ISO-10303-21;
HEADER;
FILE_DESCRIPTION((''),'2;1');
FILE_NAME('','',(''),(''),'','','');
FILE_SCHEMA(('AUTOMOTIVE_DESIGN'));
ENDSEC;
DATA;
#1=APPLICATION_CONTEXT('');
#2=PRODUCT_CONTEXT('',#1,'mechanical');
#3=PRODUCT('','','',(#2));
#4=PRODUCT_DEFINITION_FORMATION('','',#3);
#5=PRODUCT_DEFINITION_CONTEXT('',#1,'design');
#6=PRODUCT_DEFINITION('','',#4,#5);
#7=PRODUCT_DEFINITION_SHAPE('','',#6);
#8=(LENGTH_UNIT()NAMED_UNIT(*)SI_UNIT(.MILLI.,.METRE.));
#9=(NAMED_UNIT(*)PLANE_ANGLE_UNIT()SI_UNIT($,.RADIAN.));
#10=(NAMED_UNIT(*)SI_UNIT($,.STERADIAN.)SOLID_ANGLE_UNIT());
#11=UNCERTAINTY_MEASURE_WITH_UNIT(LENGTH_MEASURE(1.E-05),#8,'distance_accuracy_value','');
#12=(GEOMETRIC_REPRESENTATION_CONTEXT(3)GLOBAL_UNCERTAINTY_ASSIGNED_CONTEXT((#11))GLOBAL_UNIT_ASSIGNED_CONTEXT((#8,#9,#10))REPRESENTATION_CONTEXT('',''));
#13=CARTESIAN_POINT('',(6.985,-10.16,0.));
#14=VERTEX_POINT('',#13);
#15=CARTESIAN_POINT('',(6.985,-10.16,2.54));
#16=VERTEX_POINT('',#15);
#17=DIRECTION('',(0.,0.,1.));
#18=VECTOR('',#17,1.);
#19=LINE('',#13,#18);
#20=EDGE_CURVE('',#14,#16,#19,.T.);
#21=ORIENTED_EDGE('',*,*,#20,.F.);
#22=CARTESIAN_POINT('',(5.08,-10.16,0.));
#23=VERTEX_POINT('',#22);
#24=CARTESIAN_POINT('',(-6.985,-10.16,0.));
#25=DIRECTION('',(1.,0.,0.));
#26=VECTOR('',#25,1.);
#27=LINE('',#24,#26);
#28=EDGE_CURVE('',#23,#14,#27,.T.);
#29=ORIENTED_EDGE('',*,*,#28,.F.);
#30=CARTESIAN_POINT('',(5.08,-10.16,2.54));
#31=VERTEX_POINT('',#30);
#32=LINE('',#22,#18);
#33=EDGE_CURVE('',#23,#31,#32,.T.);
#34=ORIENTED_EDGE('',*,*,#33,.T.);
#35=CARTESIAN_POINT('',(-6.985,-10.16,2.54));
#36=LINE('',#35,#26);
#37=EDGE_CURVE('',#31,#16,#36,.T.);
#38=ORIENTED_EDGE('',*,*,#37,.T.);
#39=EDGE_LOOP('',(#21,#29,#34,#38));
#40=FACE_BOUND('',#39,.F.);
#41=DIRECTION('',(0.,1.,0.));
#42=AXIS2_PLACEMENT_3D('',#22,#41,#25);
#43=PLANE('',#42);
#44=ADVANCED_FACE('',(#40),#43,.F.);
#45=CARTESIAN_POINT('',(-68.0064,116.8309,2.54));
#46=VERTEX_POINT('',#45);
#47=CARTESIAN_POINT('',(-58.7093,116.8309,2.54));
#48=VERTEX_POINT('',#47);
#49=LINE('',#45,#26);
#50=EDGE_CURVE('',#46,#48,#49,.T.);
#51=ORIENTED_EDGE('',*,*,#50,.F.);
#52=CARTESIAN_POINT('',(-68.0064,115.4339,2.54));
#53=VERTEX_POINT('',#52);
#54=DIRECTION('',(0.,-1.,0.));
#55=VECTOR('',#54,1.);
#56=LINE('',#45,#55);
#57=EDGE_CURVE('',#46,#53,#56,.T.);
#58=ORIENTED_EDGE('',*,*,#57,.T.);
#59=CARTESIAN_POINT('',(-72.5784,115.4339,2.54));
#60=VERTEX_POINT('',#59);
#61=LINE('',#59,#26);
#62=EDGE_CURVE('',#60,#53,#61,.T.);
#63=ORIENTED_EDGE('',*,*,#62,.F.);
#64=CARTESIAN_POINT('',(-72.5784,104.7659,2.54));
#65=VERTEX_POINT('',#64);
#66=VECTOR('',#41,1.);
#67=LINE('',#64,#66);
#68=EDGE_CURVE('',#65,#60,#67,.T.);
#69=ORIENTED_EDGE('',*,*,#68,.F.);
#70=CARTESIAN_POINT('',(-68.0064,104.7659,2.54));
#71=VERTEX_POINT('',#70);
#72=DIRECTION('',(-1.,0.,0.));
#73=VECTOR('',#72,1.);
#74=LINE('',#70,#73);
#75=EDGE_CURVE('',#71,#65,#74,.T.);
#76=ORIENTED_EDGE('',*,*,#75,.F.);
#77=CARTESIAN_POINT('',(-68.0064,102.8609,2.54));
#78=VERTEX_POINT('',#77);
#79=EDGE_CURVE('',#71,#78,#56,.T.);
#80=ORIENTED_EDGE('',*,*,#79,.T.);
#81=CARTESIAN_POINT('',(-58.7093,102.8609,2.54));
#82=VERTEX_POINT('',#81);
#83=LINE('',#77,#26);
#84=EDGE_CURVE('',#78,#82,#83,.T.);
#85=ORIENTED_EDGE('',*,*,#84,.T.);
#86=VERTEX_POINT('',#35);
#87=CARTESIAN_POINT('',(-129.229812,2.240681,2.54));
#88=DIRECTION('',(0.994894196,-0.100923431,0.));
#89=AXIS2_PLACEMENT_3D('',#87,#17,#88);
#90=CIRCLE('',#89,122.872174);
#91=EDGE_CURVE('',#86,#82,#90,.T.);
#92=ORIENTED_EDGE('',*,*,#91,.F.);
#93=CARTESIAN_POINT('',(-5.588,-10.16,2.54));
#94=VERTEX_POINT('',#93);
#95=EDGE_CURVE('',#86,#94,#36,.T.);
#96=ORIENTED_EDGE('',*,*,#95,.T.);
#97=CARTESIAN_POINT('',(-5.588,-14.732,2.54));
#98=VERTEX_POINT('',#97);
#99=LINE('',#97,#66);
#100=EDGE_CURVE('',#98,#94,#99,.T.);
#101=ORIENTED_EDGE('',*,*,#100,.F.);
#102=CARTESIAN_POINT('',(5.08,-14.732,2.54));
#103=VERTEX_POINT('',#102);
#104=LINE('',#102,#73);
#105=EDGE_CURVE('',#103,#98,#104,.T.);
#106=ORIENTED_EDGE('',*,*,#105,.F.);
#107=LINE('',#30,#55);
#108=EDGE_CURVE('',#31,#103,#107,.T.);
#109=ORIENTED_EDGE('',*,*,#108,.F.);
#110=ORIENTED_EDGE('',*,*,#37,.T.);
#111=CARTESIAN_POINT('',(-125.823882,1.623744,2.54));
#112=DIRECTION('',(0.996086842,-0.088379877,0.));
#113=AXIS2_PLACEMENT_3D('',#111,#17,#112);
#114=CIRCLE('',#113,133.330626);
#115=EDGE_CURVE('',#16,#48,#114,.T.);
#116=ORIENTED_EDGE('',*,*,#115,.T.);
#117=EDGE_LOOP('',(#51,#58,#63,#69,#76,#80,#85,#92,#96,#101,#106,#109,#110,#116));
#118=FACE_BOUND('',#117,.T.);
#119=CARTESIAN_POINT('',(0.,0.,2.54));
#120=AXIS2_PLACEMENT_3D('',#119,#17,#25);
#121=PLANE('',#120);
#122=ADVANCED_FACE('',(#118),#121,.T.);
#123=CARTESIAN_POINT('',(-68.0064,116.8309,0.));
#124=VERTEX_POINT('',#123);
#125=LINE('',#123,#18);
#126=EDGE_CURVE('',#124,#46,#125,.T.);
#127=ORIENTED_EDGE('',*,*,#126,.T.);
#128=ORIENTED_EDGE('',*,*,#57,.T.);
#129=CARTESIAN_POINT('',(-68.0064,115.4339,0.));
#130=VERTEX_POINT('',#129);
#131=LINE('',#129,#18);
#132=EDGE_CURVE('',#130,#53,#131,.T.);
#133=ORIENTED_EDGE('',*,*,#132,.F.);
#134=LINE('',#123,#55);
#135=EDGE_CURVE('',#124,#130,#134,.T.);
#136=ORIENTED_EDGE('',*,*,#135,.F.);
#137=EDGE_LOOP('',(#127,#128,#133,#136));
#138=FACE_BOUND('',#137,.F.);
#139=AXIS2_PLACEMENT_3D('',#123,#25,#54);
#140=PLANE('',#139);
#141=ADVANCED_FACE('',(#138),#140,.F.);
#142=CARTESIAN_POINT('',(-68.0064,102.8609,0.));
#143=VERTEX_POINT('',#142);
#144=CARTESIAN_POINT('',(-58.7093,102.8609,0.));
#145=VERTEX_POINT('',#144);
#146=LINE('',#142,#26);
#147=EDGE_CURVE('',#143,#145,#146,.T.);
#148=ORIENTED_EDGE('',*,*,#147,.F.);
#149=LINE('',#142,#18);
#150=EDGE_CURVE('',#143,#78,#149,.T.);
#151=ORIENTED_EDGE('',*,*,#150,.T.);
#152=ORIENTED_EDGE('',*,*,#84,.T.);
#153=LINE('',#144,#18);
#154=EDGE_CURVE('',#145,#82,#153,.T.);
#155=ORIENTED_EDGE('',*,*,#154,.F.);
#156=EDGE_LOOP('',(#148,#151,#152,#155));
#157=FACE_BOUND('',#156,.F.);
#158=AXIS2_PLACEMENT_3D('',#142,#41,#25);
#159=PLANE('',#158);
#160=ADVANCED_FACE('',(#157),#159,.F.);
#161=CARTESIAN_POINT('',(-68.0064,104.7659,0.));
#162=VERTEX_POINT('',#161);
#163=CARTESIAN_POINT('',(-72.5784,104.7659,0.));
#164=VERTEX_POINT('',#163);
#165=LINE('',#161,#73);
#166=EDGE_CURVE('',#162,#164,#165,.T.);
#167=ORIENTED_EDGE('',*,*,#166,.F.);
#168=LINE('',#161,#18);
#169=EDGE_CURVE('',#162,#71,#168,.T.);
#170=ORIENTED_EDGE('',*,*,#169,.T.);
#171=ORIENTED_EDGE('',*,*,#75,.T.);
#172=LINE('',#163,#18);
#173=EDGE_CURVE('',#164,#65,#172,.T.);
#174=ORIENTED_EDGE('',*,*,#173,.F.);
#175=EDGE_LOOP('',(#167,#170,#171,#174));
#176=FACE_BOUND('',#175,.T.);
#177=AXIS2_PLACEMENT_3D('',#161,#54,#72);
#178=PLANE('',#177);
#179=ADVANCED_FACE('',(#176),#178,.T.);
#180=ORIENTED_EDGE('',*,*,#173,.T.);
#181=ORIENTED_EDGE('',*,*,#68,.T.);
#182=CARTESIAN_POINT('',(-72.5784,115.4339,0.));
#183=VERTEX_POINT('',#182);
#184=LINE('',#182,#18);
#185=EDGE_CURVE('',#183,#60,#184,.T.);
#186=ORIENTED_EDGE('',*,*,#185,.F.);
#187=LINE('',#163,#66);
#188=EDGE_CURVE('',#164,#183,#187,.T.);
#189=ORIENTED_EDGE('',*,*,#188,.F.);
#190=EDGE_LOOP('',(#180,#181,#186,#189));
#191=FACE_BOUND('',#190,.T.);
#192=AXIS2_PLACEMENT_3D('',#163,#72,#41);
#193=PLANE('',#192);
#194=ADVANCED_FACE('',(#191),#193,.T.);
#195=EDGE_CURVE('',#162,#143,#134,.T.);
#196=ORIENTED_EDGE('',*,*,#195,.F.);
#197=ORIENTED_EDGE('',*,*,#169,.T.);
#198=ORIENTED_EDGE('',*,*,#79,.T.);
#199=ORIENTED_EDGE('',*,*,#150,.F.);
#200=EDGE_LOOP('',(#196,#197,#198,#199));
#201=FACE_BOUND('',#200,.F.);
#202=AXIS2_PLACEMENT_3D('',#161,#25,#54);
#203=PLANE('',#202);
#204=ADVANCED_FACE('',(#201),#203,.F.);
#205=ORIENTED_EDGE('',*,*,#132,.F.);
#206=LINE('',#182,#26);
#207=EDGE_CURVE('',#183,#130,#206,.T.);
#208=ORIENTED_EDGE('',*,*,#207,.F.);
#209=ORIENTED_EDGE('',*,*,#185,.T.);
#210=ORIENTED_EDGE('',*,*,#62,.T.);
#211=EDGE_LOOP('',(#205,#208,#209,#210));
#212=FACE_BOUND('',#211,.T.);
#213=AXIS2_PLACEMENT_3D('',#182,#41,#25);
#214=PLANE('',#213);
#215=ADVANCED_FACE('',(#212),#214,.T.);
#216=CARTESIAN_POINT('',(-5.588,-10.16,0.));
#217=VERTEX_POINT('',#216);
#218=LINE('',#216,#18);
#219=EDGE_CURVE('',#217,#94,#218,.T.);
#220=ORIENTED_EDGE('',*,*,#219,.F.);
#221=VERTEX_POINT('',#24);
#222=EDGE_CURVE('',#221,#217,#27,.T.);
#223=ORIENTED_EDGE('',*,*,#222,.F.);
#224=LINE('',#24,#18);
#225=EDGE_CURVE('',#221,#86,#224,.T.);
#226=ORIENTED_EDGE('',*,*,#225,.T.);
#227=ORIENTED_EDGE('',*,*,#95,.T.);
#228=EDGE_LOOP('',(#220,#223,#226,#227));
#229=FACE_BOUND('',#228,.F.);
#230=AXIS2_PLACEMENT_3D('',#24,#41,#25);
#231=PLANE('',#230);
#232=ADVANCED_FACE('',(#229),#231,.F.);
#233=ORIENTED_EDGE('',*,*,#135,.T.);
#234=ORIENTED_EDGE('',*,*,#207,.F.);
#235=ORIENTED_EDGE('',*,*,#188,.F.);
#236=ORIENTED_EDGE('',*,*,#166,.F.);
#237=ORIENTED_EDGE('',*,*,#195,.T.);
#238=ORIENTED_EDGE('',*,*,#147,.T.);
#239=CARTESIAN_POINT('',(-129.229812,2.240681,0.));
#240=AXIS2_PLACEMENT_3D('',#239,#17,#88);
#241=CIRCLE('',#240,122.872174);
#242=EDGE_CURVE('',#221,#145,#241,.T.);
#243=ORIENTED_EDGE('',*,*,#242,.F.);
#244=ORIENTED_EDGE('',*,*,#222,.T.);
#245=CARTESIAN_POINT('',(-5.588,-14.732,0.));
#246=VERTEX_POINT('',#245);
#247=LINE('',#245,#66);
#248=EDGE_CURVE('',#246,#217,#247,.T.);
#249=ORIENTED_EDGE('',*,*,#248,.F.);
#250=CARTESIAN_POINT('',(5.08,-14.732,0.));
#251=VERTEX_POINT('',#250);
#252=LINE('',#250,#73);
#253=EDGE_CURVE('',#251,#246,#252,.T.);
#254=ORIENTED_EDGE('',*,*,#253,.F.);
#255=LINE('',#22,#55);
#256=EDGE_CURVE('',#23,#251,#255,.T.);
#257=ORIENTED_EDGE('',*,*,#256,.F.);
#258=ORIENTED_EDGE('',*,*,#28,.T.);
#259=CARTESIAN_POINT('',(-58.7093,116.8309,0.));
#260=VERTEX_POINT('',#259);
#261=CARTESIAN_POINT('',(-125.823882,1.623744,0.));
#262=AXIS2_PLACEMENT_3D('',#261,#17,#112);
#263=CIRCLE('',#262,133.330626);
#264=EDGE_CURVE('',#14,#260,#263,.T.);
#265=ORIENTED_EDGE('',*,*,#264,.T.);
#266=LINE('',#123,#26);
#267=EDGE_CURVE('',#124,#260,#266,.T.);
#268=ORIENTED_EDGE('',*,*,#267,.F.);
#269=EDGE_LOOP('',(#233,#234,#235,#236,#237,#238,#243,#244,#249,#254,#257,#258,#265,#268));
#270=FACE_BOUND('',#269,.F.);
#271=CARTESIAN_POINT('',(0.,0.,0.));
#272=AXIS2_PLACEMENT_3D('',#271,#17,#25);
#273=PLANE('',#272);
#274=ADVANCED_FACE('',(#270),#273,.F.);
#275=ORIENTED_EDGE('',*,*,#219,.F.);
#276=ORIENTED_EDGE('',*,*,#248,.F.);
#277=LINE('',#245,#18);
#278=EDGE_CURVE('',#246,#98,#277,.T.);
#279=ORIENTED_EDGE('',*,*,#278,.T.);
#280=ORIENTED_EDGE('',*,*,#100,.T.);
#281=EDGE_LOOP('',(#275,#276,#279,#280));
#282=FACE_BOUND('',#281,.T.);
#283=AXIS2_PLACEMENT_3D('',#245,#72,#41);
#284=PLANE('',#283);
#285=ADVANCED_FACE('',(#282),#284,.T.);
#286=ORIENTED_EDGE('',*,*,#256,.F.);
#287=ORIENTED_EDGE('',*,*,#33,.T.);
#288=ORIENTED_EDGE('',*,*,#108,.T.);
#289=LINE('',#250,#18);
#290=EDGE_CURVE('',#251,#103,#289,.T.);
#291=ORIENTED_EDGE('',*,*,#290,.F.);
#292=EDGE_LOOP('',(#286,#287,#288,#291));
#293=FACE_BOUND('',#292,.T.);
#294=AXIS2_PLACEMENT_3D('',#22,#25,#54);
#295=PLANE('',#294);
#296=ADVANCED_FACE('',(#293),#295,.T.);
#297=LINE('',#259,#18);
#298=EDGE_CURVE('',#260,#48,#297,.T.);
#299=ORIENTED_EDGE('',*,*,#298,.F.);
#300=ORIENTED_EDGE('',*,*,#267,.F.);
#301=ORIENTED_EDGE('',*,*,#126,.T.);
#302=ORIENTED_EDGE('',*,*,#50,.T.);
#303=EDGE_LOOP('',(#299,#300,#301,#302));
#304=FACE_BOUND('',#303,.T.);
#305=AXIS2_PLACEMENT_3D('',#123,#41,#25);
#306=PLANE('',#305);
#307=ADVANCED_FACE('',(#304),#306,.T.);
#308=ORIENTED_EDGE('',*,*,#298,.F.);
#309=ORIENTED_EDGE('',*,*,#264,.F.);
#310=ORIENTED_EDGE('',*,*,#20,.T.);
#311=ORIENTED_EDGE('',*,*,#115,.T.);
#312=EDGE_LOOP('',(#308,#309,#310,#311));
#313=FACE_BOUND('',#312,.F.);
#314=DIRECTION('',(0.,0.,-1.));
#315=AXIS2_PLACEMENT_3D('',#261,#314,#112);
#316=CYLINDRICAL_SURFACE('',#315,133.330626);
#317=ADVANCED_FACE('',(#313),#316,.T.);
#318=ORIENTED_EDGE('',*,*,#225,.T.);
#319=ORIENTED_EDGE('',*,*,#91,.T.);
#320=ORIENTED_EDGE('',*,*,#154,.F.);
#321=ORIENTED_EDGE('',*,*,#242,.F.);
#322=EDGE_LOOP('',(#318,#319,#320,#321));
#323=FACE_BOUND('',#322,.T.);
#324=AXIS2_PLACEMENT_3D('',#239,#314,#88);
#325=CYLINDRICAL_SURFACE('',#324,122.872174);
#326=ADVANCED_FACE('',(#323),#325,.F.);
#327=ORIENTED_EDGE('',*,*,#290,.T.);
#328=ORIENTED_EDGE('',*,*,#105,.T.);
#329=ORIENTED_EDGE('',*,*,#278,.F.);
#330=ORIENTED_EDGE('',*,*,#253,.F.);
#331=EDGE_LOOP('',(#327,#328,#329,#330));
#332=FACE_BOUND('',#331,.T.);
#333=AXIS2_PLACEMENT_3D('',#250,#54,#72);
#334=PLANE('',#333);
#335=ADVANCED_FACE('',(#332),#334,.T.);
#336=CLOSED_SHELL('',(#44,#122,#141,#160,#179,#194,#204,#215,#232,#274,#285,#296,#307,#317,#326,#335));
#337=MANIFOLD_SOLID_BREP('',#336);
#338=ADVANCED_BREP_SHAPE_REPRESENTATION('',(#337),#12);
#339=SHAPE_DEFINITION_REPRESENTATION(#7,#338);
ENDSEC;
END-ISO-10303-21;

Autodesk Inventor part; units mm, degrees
ref_plane "YZ Plane" through (0, 0, 0) normal (1, 0, 0) x (0, 1, 0)
ref_plane "XZ Plane" through (0, 0, 0) normal (0, 1, 0) x (-1, 0, 0)
ref_plane "XY Plane" through (0, 0, 0) normal (0, 0, 1) x (1, 0, 0)
sketch "Sketch1" plane through (0, 0, 0) normal (0, 0, 1) x (1, 0, 0)
  line L0 (-6.985, -10.16) -> (6.985, -10.16)
  line L1 (5.08, -10.16) -> (5.08, -14.732)
  line L2 (5.08, -14.732) -> (-5.588, -14.732)
  line L3 (-5.588, -14.732) -> (-5.588, -10.16)
  line L4 (-68.0064, 116.8309) -> (-68.0064, 102.8609)
  line L5 (-68.0064, 104.7659) -> (-72.5784, 104.7659)
  line L6 (-72.5784, 104.7659) -> (-72.5784, 115.4339)
  line L7 (-72.5784, 115.4339) -> (-68.0064, 115.4339)
  line L8 (-68.0064, 116.8309) -> (-58.7093, 116.8309)
  arc A0 (6.985, -10.16) -> (-58.7093, 116.8309) centre (-125.8236, 1.6238) ccw
  line L9 (-68.0064, 102.8609) -> (-58.7093, 102.8609)
  arc A1 (-6.985, -10.16) -> (-58.7093, 102.8609) centre (-129.2297, 2.2407) ccw
  point P0 (0, 0)
  point P1 (0, -10.16)
  point P2 (-68.0064, 109.8459)
  dimension "d0" = 13.97
  dimension "d2" = 10.668
  dimension "d4" = 4.572
  dimension "d5" = 13.97
  dimension "d7" = 10.668
  dimension "d8" = 4.572
extrude "Extrusion1" add sketch "Sketch1" along normal blind 2.54
properties part number "RTS gift arm"
